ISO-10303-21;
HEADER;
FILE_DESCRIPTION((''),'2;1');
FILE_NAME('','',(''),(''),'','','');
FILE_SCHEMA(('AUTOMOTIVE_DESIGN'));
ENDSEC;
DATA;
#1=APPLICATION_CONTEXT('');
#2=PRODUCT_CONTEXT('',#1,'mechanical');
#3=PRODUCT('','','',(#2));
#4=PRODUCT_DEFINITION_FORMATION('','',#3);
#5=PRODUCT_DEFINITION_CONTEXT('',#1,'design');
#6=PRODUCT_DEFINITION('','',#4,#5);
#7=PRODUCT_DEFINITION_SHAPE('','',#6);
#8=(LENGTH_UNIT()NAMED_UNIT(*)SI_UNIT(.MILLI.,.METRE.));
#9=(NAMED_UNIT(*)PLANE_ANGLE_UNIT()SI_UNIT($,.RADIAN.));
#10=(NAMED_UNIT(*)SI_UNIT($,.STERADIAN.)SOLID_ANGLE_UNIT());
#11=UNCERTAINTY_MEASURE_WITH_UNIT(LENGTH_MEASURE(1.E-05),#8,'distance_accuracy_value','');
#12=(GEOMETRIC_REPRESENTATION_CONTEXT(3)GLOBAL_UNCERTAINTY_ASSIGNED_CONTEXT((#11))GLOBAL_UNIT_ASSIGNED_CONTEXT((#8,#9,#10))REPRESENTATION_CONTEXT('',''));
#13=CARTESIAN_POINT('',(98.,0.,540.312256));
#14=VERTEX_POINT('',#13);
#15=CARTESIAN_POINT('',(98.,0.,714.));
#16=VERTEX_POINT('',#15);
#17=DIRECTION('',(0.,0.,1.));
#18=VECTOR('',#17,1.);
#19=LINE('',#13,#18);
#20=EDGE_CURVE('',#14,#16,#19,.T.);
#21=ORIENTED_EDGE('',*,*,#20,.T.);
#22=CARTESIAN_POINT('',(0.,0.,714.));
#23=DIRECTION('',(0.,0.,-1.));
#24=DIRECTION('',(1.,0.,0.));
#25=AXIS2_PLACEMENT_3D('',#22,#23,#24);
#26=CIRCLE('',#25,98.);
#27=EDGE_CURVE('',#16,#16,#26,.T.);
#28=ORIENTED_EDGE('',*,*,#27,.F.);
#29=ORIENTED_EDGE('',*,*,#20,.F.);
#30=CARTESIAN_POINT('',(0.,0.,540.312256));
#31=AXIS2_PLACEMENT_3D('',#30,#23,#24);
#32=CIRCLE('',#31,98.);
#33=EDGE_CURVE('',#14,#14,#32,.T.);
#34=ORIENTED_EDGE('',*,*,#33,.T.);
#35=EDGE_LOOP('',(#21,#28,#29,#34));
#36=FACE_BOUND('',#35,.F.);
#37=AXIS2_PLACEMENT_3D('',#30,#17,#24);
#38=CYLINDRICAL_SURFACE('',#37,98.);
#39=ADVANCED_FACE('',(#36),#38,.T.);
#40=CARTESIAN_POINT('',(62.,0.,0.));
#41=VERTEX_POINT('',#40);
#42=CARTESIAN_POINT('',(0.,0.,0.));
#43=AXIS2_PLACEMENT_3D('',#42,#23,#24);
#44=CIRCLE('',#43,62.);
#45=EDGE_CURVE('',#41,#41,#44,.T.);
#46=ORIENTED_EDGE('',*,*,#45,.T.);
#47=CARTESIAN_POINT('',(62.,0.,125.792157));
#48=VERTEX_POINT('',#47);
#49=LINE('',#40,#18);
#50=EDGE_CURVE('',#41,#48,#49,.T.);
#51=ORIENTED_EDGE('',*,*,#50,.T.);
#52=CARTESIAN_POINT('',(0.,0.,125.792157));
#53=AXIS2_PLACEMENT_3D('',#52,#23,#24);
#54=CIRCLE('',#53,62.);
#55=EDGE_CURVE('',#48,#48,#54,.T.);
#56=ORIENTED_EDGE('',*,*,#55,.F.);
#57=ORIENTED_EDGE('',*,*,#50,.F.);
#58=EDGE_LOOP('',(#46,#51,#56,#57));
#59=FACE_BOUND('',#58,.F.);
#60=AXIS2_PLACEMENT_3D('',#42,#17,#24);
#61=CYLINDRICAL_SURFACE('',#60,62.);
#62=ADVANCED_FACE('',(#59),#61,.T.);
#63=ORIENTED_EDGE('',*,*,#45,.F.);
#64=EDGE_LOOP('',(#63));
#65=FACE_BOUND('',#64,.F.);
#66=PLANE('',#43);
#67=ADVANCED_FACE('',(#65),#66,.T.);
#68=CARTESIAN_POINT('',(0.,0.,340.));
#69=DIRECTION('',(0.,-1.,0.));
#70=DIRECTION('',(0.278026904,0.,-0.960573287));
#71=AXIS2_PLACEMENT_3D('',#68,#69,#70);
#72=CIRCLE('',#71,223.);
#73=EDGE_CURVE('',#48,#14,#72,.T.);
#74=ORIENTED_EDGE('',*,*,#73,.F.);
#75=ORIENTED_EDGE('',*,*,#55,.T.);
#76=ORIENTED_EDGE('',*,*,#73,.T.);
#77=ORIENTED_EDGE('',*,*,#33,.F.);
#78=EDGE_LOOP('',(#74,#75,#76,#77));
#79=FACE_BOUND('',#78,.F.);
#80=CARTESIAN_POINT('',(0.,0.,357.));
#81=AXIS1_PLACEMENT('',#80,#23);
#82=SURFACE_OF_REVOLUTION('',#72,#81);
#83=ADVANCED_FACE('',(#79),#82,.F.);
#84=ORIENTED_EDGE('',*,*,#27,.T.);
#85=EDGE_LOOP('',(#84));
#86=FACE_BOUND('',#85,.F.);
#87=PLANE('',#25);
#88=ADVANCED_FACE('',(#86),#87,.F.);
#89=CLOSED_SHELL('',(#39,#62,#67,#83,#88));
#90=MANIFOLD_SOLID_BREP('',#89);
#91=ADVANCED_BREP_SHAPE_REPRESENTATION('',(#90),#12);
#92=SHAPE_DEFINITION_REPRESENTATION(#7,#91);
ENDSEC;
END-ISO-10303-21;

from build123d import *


with BuildPart() as f1:
    # F0 (on Front) → F1 (revolve)
    with BuildSketch(Plane.XZ):
        with BuildLine():
            Line((0, 714), (0, 0))
            Line((0, 0), (62, 0))
            Line((62, 0), (62, 125.792157))
            ThreePointArc((62, 125.792157), (222.163742, 320.705653), (98, 540.312256))
            Line((98, 540.312256), (98, 714))
            Line((98, 714), (0, 714))
        make_face()
    revolve(axis=Axis((0, 0, 357), (0, 0, -1)))


solid = f1.part
